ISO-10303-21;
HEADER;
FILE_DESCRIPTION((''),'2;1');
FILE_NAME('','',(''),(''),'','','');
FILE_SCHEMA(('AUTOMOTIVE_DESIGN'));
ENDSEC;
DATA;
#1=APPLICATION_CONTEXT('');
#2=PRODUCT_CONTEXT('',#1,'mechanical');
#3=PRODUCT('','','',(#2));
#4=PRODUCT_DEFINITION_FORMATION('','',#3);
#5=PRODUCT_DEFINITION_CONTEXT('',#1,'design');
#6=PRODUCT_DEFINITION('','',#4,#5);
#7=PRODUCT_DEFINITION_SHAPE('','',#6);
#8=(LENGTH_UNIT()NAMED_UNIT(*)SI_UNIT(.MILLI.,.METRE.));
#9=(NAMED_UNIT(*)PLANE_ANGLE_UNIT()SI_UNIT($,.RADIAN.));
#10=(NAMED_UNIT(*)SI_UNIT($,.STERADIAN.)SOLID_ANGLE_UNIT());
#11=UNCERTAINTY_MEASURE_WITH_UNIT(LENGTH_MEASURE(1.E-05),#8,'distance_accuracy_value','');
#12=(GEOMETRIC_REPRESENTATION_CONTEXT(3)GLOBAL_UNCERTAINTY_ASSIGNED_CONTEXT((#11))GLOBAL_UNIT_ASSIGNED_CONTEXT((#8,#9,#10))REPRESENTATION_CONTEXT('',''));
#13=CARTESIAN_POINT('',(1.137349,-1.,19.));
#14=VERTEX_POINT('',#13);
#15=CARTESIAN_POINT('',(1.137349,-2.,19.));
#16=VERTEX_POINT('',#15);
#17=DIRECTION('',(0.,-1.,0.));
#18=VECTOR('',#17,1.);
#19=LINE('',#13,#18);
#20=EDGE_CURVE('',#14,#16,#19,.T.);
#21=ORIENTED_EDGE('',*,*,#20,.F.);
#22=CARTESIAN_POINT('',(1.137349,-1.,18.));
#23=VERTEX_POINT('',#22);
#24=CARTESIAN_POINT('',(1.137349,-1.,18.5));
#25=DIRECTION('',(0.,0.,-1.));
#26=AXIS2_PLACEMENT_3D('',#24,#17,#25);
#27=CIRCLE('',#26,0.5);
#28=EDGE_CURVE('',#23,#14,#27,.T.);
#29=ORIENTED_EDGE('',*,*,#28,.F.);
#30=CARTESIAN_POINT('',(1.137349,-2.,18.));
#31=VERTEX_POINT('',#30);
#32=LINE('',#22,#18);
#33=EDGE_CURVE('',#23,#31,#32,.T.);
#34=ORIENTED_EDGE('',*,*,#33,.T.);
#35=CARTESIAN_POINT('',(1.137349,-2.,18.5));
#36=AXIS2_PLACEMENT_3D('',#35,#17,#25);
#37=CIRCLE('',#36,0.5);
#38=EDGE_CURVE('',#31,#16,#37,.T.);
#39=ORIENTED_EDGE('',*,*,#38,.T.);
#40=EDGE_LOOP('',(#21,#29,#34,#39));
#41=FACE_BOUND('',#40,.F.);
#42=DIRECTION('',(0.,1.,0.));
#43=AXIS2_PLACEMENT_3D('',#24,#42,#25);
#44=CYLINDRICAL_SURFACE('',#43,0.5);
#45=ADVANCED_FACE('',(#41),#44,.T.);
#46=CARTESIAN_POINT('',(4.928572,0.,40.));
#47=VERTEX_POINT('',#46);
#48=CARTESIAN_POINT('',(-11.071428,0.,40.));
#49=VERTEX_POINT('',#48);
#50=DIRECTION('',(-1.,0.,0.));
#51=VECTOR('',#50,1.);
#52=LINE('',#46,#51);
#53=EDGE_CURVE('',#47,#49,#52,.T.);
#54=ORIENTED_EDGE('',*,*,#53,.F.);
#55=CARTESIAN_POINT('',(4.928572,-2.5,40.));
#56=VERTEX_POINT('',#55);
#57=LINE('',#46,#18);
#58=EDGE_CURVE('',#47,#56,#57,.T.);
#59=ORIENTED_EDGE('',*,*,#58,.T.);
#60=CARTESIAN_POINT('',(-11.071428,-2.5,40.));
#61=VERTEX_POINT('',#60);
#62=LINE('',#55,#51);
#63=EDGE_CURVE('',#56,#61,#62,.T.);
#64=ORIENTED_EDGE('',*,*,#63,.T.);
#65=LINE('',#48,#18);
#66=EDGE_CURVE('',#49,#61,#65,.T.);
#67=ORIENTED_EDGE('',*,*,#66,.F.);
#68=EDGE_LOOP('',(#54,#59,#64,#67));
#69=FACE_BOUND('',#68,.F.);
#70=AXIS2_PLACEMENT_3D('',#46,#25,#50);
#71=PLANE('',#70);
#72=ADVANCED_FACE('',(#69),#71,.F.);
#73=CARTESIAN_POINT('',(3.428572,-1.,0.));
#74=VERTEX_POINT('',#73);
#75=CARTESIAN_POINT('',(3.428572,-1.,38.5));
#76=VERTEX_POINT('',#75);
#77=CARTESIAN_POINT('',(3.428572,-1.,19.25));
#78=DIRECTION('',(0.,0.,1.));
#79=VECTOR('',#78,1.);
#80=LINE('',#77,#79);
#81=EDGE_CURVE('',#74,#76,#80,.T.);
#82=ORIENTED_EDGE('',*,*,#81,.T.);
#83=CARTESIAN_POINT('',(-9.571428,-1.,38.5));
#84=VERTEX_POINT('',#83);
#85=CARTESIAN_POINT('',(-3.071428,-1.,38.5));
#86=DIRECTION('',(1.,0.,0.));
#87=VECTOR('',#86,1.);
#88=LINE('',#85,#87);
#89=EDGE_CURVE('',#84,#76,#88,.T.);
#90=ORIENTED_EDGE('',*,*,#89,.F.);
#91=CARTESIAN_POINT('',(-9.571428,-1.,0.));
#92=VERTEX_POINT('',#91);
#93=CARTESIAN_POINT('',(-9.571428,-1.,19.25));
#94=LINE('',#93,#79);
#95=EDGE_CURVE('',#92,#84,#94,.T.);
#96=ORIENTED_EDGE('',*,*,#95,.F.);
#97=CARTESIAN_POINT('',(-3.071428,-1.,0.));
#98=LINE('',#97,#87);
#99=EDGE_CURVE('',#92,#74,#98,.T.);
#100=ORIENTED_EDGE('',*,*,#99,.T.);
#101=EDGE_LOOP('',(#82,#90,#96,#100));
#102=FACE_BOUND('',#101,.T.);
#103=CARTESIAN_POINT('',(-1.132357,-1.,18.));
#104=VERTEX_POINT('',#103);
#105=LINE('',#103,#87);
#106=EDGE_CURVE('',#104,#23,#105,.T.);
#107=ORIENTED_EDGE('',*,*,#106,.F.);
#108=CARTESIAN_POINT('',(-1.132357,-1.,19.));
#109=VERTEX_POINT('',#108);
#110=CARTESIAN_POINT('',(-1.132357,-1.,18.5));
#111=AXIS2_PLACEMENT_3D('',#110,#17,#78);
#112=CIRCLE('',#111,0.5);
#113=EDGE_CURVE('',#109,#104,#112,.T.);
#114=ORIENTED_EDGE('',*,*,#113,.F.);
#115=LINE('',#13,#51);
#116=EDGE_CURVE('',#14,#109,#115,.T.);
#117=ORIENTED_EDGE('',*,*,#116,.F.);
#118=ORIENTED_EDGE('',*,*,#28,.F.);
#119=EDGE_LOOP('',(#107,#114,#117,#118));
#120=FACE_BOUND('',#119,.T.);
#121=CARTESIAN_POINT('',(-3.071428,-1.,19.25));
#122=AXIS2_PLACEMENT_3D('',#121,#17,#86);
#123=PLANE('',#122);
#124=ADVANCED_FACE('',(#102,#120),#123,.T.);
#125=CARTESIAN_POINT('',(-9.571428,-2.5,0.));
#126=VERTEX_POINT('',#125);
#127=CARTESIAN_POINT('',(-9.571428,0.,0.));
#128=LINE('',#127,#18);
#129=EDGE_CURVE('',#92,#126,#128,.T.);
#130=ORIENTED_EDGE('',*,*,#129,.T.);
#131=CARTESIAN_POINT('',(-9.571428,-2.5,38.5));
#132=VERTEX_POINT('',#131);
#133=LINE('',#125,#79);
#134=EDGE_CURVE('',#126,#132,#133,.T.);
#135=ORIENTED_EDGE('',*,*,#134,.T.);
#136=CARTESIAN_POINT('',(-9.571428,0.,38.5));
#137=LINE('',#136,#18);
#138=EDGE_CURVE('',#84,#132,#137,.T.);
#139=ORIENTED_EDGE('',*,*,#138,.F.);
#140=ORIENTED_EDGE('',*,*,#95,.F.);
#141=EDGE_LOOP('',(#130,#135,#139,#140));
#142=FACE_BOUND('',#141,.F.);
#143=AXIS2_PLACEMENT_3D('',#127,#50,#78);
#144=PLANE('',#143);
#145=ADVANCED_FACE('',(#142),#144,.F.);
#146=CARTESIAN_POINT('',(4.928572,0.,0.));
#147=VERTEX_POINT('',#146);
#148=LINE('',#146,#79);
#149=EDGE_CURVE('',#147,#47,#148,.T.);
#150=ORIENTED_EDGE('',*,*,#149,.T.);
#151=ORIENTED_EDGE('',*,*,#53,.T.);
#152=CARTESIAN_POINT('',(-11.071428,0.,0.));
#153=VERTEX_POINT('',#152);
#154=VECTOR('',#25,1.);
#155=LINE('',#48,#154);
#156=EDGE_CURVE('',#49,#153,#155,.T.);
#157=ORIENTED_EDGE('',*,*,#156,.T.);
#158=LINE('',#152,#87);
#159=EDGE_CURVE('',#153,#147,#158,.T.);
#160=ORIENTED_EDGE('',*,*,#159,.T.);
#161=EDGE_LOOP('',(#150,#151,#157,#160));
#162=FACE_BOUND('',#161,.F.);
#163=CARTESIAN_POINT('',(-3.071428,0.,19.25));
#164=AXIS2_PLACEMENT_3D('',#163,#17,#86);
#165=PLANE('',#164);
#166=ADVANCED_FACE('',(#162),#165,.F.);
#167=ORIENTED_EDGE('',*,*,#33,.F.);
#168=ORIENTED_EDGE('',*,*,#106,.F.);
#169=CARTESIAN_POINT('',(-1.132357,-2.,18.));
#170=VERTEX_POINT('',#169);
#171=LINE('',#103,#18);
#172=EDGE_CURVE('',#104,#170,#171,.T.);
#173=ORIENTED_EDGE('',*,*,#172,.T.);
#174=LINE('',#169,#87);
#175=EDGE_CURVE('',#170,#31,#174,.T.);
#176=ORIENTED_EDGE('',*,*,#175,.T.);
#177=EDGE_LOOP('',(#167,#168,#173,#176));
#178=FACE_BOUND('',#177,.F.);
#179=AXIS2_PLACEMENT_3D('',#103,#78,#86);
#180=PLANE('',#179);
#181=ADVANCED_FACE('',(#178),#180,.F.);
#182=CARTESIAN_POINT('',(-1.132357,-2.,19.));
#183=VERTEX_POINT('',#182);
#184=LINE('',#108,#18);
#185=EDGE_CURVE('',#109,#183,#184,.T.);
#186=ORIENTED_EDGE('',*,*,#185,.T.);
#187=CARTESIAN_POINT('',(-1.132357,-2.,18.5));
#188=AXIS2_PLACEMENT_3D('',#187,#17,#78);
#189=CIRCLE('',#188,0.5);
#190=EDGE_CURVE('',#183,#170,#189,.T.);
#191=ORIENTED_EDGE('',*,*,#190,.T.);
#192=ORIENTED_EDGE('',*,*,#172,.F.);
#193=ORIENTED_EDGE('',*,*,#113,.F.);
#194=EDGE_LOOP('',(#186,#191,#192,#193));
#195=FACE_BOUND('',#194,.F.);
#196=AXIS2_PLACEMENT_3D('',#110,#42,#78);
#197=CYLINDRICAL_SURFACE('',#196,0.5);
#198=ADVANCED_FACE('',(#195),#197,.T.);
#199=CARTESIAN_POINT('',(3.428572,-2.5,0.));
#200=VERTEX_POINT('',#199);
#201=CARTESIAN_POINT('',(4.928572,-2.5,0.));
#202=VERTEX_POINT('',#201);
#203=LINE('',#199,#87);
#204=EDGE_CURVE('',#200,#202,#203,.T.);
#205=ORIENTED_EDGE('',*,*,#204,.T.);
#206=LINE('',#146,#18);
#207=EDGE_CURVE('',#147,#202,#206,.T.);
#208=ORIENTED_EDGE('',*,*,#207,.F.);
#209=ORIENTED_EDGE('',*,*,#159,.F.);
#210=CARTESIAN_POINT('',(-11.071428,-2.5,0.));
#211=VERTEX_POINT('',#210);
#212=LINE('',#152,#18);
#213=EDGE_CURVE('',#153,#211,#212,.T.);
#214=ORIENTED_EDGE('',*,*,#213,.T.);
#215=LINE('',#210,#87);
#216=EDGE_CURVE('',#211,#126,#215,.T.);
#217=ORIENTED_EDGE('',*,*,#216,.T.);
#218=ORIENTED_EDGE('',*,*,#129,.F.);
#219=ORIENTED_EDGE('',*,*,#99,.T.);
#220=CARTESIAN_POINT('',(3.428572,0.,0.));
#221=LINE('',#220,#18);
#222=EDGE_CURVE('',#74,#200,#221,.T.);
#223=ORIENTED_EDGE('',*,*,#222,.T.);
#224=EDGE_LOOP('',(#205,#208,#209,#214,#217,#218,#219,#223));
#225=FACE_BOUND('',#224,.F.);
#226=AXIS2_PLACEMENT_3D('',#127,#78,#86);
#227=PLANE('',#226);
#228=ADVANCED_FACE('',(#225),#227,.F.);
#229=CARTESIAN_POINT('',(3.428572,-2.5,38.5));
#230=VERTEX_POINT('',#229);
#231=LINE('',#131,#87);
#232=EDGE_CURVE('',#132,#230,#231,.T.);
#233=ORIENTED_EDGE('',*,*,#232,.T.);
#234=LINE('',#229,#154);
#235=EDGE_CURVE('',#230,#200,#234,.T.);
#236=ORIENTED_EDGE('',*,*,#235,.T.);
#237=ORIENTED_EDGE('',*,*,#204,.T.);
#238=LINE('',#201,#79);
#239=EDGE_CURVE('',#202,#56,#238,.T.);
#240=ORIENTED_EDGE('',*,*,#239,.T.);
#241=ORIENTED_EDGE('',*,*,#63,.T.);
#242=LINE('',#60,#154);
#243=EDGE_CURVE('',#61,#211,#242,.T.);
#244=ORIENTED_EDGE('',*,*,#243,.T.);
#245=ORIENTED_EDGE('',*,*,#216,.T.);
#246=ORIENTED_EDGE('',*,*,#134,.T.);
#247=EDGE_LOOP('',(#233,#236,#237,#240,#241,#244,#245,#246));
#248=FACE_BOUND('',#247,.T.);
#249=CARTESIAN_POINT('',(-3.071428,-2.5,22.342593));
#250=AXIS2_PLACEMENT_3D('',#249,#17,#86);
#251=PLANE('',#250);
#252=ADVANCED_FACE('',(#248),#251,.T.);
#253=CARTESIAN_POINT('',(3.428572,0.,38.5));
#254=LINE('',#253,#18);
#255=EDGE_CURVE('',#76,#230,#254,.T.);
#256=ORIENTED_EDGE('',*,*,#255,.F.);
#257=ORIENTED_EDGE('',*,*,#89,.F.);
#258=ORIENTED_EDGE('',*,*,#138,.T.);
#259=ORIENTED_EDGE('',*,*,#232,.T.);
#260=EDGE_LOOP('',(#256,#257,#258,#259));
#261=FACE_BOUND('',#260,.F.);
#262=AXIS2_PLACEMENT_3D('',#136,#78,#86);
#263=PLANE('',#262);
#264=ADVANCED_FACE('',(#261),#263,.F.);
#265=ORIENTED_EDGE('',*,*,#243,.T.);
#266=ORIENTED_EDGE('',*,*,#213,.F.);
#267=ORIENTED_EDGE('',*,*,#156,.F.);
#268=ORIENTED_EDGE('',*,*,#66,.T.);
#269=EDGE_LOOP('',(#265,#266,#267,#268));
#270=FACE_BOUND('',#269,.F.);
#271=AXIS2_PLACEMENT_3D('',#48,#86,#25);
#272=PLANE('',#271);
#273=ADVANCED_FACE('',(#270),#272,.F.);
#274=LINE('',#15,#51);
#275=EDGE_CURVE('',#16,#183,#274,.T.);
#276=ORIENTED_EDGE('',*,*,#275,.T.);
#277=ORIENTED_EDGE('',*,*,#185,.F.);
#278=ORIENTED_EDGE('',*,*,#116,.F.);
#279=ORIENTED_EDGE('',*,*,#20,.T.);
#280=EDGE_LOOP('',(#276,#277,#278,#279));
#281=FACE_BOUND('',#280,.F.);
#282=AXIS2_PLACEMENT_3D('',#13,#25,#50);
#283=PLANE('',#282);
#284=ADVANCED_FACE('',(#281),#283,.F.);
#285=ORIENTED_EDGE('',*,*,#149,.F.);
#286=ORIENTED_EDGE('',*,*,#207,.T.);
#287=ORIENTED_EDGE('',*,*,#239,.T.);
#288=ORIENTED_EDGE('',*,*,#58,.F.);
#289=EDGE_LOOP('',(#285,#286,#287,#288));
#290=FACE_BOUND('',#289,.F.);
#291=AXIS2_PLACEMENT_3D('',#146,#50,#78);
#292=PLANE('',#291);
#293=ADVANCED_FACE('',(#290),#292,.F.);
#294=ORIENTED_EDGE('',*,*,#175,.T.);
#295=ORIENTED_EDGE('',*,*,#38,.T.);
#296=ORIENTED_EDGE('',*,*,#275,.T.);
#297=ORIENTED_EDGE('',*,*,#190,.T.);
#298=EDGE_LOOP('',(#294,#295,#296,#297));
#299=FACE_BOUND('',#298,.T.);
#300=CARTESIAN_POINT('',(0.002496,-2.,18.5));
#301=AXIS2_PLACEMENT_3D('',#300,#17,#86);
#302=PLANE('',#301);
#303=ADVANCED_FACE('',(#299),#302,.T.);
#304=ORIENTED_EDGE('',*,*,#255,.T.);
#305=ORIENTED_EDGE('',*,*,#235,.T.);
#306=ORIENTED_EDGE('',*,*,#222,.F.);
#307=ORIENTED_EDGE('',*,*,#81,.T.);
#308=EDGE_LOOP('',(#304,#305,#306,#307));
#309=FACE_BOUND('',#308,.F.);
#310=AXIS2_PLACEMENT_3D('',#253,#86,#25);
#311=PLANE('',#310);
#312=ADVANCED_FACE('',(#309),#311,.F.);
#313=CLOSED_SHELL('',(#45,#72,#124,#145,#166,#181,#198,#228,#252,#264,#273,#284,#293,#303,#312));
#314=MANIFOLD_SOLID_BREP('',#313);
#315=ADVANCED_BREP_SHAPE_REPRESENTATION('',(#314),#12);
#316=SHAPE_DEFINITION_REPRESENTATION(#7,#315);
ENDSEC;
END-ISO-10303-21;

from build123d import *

# Parameters (mm, degrees)
F1_DEPTH = 2.5
F0_W     = 13
F0_H     = 38.5
F2_DEPTH = 1
F4_DEPTH = 1


with BuildPart() as f1:
    # F0 (on Front) → F1 (new body)
    with BuildSketch(Plane.XZ):
        Polygon((-11.071428, 40), (-11.071428, 0), (-9.571428, 0), (-9.571428, 38.5), (3.428572, 38.5), (3.428572, 0), (4.928572, 0), (4.928572, 40), align=None)
    extrude(amount=F1_DEPTH)

    # F0 (on Front) → F2 (join)
    with BuildSketch(Plane.XZ):
        with Locations((-3.071428, 19.25)):
            Rectangle(F0_W, F0_H)
    extrude(amount=F2_DEPTH)

    # F3 (on face) → F4 (join)
    with BuildSketch(Plane.XZ.offset(1)):
        with BuildLine():
            Line((1.137349, 19), (-1.132357, 19))
            ThreePointArc((-1.132357, 19), (-1.632357, 18.5), (-1.132357, 18))
            Line((-1.132357, 18), (1.137349, 18))
            ThreePointArc((1.137349, 18), (1.637349, 18.5), (1.137349, 19))
        make_face()
    extrude(amount=F4_DEPTH)


solid = f1.part
